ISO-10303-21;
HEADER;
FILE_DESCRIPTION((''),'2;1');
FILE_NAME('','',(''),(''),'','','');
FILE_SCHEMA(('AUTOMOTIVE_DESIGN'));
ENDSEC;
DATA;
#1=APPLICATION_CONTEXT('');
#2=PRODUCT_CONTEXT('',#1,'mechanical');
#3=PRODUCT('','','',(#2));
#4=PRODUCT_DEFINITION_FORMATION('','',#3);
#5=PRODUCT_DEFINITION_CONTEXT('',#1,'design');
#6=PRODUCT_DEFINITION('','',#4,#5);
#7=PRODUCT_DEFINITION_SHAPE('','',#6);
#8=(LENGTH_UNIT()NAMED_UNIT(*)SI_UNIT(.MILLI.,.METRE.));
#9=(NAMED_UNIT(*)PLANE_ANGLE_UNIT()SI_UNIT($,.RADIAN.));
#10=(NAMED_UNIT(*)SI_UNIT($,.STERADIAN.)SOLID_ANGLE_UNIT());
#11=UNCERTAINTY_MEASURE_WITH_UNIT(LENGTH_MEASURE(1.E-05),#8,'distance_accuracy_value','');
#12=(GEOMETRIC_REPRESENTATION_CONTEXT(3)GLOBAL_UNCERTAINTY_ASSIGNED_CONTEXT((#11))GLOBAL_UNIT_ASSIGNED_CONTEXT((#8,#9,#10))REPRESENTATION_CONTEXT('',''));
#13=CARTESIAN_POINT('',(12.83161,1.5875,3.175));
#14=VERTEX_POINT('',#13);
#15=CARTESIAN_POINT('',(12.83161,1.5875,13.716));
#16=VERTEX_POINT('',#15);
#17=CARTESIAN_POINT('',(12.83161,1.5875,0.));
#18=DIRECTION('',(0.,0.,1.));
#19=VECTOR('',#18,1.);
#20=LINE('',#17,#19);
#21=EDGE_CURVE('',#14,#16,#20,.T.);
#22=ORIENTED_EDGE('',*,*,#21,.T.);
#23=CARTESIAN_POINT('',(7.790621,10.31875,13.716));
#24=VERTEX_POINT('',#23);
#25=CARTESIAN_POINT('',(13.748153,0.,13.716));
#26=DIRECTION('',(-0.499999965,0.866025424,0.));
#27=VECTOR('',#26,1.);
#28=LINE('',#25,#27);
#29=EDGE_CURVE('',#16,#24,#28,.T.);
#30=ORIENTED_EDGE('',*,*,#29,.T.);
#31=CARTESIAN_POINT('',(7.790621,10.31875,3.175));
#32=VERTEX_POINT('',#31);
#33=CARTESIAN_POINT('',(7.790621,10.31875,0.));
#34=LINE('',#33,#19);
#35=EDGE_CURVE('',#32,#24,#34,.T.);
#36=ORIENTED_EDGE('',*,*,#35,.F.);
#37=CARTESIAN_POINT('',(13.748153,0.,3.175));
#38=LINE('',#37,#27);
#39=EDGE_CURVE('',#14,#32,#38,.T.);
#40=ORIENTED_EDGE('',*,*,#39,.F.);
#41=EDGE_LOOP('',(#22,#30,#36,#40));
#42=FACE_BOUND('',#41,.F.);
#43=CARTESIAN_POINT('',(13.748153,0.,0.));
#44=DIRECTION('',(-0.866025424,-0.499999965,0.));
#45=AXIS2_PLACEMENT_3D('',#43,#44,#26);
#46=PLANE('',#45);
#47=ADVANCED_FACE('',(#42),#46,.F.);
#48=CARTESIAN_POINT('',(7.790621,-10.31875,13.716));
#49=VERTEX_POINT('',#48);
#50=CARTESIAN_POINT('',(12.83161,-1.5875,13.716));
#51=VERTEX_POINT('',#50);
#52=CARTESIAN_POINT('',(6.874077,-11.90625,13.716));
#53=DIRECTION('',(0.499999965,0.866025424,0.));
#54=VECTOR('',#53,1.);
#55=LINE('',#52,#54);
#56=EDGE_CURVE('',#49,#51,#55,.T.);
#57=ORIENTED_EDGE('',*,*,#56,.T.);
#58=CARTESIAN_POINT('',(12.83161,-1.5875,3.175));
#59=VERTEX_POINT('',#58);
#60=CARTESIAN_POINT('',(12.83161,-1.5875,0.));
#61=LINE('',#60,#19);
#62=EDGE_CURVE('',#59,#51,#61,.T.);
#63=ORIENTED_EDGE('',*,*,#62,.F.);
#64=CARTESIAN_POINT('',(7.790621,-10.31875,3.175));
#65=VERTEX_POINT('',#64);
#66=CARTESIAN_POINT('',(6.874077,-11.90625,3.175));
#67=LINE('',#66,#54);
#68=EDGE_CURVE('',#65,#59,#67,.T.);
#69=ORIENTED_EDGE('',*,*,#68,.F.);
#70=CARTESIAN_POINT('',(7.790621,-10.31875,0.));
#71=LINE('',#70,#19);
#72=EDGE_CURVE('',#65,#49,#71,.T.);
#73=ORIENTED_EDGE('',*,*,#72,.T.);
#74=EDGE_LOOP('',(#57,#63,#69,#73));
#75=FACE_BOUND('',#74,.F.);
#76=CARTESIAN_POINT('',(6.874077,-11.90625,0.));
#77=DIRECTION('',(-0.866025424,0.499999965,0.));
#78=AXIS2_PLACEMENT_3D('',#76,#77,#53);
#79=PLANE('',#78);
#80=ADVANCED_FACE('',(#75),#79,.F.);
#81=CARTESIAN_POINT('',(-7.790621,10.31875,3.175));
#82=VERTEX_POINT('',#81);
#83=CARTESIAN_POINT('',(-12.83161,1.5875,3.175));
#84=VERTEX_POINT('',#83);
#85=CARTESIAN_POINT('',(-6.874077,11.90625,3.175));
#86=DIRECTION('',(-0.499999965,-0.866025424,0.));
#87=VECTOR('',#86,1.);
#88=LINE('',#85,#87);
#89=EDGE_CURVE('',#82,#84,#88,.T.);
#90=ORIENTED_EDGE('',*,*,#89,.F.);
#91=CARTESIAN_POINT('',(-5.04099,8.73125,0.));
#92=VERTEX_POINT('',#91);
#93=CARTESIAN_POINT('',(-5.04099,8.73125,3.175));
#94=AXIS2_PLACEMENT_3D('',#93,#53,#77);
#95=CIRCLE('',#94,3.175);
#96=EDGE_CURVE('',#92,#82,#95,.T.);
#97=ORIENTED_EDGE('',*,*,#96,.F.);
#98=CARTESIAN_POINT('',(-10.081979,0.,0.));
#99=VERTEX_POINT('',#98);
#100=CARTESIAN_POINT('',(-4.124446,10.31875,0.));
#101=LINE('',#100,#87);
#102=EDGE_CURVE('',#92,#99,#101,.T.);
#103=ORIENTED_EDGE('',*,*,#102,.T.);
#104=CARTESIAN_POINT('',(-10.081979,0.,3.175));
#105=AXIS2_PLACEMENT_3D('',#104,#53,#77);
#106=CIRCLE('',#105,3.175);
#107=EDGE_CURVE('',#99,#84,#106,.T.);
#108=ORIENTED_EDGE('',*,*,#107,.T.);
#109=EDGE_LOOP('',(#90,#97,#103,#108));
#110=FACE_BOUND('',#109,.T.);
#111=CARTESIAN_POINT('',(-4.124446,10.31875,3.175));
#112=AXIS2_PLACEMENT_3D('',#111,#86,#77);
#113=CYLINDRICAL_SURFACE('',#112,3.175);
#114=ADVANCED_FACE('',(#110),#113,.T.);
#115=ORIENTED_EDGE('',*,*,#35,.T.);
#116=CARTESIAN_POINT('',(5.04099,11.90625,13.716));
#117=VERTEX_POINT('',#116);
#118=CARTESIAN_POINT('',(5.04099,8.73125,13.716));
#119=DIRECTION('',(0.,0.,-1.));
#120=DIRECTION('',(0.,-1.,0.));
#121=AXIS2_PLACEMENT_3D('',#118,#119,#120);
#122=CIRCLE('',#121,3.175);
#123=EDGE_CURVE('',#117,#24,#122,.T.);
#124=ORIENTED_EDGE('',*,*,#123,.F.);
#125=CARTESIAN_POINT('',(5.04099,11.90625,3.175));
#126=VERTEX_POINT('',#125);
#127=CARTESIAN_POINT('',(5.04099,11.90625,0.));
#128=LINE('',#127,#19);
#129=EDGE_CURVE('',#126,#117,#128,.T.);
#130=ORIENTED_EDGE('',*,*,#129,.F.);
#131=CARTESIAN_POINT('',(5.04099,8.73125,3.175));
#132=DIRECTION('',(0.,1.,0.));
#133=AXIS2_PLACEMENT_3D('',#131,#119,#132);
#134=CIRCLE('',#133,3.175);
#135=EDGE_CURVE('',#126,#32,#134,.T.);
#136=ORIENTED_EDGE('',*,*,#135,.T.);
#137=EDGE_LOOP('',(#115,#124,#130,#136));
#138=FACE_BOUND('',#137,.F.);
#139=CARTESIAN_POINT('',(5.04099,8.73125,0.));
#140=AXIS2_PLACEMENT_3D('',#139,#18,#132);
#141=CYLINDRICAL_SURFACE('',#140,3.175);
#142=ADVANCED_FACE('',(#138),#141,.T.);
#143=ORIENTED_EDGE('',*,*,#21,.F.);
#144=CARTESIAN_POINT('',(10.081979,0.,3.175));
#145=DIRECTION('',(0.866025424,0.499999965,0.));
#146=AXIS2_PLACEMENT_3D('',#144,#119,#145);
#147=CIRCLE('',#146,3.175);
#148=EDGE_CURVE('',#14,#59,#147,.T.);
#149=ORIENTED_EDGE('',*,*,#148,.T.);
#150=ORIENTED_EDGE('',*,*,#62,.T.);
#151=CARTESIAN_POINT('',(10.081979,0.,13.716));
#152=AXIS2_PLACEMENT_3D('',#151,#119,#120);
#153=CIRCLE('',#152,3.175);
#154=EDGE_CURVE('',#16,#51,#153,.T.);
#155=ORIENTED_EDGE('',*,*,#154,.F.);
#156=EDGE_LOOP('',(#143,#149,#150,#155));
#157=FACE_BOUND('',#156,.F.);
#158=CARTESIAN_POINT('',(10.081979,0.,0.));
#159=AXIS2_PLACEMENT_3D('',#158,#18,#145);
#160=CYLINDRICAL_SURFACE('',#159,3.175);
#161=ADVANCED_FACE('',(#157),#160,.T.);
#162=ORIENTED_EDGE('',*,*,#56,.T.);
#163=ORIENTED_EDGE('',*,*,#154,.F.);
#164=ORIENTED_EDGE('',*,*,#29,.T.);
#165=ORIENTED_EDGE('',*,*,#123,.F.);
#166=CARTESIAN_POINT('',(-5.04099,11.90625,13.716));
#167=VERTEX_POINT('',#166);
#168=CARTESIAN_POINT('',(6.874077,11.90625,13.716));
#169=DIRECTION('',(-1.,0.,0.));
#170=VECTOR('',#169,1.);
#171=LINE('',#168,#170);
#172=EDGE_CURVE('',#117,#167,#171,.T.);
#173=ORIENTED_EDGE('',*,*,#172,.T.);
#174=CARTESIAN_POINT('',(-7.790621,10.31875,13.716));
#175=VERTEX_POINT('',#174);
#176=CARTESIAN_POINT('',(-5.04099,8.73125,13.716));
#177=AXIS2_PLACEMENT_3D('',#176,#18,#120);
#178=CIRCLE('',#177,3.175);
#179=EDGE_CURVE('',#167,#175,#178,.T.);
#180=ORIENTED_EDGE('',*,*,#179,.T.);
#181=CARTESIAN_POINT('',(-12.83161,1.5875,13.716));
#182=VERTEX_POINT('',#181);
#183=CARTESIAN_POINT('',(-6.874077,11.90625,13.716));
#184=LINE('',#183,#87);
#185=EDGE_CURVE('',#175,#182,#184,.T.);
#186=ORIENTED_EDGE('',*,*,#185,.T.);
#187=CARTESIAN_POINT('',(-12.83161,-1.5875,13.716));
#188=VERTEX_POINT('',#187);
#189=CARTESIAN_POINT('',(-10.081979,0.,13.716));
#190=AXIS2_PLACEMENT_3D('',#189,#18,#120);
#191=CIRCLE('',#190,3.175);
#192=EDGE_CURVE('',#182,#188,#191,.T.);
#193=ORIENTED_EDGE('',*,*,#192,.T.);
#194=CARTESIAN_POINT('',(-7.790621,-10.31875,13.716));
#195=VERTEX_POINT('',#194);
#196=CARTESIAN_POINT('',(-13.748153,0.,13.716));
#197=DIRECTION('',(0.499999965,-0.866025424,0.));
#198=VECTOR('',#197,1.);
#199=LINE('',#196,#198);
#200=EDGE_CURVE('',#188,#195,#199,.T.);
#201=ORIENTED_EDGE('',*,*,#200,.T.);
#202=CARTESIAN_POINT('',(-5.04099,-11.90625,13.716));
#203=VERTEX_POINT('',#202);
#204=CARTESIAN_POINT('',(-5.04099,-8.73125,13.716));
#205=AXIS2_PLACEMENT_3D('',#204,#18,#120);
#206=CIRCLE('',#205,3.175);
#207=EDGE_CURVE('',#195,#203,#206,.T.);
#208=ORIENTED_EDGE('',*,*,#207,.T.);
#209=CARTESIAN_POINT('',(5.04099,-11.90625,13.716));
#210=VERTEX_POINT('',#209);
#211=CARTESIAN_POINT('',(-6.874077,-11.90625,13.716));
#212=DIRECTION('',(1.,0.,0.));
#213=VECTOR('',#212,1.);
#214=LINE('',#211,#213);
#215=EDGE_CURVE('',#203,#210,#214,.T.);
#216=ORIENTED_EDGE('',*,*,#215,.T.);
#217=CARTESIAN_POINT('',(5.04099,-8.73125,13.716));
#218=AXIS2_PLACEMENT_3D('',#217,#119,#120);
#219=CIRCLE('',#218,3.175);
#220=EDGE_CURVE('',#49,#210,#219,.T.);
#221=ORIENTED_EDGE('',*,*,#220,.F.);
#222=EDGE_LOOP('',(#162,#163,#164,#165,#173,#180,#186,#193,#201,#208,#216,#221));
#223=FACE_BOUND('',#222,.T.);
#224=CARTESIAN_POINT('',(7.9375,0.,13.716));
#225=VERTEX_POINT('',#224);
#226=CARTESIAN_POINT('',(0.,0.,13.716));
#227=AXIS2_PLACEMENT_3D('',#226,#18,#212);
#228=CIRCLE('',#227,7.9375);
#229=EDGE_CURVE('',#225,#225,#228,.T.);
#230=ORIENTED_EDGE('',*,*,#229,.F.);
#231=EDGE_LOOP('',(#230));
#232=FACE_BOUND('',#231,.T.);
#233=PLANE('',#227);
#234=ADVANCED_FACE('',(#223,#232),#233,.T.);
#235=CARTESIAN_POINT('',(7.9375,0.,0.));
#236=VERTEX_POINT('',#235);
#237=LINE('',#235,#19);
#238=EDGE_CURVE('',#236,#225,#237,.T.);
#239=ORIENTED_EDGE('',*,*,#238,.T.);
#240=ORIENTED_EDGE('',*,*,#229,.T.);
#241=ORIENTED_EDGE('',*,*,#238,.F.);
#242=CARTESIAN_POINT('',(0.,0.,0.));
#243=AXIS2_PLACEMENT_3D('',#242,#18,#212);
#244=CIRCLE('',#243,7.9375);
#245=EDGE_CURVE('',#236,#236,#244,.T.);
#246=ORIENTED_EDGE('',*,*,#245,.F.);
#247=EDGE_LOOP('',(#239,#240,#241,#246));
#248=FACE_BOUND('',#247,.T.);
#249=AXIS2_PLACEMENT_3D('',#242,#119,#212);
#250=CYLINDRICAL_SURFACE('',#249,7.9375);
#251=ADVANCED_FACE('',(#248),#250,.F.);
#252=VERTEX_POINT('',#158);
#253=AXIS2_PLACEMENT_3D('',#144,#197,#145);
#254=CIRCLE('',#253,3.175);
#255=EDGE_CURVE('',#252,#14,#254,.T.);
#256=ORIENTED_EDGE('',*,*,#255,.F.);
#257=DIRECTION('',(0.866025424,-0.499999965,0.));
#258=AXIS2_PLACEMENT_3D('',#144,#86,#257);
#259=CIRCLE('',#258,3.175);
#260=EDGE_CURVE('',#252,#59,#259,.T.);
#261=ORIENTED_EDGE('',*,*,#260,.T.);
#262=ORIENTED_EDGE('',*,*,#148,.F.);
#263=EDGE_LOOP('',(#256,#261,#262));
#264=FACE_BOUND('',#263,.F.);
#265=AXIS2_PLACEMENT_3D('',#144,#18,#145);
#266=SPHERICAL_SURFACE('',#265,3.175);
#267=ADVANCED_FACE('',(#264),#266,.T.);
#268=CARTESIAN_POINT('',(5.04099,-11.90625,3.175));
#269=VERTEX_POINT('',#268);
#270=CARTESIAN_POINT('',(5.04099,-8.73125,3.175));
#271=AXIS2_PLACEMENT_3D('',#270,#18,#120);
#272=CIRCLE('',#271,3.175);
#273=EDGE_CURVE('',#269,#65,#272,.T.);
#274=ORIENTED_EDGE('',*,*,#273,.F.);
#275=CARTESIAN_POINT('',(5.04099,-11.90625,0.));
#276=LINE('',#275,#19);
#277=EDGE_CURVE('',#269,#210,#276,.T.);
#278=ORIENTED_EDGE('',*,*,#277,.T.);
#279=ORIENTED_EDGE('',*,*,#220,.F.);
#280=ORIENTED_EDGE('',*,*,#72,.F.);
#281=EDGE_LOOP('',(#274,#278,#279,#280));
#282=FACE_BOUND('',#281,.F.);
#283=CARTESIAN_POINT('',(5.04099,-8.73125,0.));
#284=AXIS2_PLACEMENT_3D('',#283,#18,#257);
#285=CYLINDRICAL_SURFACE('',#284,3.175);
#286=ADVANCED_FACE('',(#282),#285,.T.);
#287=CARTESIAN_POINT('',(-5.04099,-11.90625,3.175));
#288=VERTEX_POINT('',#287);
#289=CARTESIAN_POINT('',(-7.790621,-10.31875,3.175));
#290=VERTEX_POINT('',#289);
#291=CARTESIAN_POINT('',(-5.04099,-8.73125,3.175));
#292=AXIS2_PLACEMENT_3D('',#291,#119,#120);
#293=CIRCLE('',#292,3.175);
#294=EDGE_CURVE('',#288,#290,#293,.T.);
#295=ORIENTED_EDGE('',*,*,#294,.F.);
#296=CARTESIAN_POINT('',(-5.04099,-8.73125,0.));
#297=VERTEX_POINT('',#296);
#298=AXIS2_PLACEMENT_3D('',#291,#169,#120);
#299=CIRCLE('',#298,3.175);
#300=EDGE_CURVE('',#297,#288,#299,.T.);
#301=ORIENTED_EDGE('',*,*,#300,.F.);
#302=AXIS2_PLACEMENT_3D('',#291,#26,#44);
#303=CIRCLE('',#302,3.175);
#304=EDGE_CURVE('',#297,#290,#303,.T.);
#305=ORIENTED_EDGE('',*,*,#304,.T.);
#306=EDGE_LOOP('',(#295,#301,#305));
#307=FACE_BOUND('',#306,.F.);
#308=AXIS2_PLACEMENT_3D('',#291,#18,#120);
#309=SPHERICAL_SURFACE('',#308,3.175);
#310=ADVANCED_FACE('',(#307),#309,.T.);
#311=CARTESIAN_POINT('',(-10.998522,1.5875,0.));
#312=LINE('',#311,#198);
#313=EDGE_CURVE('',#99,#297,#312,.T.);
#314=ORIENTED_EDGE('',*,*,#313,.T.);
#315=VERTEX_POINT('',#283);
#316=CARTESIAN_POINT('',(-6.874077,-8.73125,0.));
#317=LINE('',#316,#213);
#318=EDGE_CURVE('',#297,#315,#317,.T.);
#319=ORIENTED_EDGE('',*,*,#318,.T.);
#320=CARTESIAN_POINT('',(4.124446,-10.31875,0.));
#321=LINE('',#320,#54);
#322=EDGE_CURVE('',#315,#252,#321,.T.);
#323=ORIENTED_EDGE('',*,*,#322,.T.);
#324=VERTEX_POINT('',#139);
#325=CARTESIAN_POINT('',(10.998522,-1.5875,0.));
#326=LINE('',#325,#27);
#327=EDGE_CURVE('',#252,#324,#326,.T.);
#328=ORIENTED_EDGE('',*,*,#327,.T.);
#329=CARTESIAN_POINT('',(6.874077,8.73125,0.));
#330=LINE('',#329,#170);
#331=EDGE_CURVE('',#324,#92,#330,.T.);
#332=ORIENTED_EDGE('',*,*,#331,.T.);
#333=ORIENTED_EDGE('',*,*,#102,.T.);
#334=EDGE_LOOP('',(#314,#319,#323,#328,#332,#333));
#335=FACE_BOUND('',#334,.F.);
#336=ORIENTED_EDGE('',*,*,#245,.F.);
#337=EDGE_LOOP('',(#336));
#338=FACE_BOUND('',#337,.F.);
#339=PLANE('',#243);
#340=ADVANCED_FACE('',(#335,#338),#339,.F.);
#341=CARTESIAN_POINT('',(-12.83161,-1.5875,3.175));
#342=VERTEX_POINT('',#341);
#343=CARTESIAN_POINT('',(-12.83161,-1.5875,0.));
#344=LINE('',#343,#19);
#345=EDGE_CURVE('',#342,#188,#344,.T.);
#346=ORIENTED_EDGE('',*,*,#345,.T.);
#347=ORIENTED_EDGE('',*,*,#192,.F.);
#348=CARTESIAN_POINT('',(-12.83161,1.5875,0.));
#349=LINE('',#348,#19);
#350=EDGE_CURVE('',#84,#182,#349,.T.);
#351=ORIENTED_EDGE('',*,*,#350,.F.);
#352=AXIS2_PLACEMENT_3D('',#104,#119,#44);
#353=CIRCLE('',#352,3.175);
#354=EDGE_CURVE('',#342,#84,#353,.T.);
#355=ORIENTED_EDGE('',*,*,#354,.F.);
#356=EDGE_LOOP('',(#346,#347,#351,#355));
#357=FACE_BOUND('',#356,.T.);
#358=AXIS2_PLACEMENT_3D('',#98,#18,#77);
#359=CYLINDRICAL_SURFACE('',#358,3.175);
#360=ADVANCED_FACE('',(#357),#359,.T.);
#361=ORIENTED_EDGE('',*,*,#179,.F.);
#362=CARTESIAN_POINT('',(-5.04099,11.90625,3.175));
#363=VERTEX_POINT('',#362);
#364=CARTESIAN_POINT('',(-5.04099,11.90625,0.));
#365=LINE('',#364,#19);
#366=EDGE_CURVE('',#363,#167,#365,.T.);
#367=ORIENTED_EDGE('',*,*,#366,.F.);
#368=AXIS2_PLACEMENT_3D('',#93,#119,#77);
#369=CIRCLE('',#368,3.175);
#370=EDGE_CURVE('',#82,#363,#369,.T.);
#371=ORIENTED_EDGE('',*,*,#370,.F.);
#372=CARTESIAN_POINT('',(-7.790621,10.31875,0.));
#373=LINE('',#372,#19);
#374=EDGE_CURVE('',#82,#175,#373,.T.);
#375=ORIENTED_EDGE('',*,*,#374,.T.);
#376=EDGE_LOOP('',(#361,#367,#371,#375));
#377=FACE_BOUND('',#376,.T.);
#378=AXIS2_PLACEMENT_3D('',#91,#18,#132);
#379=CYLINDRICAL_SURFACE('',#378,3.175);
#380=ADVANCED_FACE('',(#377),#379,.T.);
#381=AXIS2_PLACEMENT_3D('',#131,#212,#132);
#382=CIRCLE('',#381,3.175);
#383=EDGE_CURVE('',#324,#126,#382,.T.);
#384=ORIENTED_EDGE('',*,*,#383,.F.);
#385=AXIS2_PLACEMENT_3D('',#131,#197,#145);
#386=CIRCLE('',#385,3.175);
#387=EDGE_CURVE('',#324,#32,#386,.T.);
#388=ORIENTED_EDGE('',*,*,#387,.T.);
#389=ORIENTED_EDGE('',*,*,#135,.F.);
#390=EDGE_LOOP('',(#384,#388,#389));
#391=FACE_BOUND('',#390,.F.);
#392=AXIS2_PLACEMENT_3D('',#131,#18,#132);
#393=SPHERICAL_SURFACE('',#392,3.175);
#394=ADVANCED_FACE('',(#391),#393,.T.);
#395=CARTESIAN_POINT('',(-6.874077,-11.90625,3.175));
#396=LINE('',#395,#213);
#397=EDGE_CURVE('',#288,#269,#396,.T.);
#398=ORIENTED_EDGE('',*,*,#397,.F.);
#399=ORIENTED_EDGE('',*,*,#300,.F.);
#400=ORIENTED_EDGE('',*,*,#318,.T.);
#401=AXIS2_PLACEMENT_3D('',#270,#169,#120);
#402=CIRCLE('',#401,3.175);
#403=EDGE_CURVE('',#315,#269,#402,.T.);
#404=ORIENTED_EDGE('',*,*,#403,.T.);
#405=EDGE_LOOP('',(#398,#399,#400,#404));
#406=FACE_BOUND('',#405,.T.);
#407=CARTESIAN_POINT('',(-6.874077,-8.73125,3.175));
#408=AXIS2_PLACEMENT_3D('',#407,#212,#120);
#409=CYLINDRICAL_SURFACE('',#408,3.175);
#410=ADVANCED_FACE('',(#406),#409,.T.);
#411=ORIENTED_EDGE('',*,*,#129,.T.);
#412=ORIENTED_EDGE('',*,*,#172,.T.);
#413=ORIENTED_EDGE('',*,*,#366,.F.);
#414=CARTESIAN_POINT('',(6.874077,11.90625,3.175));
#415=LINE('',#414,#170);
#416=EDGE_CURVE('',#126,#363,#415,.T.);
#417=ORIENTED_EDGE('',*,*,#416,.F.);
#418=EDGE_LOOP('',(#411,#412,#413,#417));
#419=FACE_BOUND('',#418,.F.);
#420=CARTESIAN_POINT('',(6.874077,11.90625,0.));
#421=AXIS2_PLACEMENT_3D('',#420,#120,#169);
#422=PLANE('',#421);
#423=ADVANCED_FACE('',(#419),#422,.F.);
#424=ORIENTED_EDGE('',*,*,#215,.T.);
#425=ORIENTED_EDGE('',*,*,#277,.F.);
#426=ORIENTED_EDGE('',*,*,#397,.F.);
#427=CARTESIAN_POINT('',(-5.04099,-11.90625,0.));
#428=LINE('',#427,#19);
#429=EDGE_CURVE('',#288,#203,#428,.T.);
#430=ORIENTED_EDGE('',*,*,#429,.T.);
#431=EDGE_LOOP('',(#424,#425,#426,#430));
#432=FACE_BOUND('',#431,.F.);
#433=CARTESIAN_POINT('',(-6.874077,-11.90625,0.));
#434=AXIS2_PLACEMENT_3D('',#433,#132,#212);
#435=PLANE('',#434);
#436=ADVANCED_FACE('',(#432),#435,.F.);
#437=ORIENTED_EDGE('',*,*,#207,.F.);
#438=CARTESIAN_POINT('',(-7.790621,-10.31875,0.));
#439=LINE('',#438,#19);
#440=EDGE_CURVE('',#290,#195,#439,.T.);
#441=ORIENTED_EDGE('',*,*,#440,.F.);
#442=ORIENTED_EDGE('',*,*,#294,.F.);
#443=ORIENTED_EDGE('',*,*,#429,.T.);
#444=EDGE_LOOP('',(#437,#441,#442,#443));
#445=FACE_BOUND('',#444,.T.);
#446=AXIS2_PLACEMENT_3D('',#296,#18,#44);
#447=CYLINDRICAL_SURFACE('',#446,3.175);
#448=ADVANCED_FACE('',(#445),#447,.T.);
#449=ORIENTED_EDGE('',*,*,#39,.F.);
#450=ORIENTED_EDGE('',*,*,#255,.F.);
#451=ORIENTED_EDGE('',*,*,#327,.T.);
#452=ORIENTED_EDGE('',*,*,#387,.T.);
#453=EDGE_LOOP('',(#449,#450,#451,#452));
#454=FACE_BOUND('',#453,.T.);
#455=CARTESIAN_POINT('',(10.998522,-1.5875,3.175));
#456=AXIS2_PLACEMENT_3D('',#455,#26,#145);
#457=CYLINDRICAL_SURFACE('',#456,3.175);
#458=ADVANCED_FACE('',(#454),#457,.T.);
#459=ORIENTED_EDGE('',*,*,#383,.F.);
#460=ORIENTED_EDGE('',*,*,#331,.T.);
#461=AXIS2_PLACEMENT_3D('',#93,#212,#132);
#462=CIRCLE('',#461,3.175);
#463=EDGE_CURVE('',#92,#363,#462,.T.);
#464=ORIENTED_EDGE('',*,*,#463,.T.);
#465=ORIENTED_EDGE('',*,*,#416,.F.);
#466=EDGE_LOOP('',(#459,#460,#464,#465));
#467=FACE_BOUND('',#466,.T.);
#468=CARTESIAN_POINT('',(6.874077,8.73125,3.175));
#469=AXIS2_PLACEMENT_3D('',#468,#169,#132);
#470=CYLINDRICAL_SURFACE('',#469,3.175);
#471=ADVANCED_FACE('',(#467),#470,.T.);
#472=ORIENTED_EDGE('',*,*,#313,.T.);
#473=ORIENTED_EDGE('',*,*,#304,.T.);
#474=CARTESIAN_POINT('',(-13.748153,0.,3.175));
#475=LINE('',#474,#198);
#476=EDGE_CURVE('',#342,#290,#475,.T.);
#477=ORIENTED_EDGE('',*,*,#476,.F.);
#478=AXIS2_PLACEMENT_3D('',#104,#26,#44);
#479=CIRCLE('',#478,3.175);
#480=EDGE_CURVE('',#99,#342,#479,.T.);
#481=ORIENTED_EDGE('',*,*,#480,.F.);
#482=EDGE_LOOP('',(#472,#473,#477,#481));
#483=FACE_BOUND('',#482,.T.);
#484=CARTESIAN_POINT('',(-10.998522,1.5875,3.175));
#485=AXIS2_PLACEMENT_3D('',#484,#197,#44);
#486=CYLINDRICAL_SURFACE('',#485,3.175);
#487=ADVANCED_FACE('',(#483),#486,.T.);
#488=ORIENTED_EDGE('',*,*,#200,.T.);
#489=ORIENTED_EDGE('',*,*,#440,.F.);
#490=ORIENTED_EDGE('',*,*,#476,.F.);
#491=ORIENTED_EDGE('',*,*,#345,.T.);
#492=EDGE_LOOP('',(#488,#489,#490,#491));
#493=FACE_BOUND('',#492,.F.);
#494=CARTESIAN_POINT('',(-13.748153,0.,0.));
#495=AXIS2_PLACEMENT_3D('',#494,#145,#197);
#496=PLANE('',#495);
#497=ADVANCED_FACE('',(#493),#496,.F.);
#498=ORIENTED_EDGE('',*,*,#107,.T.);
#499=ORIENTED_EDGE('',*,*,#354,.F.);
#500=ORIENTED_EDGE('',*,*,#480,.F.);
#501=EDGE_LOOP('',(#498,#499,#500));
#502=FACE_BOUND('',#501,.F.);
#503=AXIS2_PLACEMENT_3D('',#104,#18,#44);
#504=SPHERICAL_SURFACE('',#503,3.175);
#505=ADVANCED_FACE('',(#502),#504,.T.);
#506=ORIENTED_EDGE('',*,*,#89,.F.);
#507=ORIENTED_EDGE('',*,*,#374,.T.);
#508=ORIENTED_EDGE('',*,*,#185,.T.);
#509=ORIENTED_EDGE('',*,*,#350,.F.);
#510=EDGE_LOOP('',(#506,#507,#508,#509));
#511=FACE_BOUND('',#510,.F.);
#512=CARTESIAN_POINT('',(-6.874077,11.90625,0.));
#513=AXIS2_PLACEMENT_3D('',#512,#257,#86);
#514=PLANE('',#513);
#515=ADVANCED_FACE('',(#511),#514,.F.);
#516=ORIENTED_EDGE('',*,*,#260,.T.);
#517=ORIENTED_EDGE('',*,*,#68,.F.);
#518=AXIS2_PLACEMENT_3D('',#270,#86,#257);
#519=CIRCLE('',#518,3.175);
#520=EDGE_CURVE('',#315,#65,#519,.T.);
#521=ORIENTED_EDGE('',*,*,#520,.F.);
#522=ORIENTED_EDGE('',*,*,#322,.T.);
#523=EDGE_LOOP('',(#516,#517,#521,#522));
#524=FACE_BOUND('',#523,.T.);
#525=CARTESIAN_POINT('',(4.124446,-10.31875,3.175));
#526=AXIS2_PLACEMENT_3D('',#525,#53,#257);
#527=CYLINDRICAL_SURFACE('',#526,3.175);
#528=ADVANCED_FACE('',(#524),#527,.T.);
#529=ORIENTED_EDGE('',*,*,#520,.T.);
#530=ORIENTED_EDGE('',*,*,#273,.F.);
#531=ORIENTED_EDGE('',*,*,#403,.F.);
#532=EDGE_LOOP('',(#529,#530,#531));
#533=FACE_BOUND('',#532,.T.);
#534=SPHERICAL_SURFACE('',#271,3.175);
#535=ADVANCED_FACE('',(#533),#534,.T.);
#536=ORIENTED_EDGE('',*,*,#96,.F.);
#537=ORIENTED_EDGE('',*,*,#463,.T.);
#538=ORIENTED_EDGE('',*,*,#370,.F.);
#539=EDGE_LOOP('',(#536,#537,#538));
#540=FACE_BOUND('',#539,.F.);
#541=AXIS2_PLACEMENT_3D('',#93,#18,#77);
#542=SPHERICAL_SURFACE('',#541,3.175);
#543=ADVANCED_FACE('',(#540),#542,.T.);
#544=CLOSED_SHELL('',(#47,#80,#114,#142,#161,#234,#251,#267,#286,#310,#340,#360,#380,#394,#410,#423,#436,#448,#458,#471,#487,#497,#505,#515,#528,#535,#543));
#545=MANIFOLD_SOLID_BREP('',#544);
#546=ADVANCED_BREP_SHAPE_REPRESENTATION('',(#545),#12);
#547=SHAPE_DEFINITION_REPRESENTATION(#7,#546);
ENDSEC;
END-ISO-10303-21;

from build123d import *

# Parameters (mm, degrees)
F0_R     = 7.9375
F1_DEPTH = 13.716
F2_R     = 3.175


with BuildPart() as f1:
    # F0 (on Top) → F1 (new body)
    with BuildSketch(Plane.XY):
        Polygon((6.874077, 11.90625), (-6.874077, 11.90625), (-13.748153, 0), (-6.874077, -11.90625), (6.874077, -11.90625), (13.748153, 0), align=None)
        Circle(F0_R, mode=Mode.SUBTRACT)
    extrude(amount=F1_DEPTH)

    # F2
    f2_edges = [f1.edges().sort_by_distance(p)[0] for p in [
        (-13.748153, 0, 6.858),
        (10.311115, -5.953125, 0),
        (13.748153, 0, 6.858),
        (6.874077, -11.90625, 6.858),
        (-6.874077, -11.90625, 6.858),
        (6.874077, 11.90625, 6.858),
        (-6.874077, 11.90625, 6.858),
        (0, -11.90625, 0),
        (-10.311115, -5.953125, 0),
        (-10.311115, 5.953125, 0),
        (0, 11.90625, 0),
        (10.311115, 5.953125, 0),
    ]]
    fillet(f2_edges, radius=F2_R)


solid = f1.part
